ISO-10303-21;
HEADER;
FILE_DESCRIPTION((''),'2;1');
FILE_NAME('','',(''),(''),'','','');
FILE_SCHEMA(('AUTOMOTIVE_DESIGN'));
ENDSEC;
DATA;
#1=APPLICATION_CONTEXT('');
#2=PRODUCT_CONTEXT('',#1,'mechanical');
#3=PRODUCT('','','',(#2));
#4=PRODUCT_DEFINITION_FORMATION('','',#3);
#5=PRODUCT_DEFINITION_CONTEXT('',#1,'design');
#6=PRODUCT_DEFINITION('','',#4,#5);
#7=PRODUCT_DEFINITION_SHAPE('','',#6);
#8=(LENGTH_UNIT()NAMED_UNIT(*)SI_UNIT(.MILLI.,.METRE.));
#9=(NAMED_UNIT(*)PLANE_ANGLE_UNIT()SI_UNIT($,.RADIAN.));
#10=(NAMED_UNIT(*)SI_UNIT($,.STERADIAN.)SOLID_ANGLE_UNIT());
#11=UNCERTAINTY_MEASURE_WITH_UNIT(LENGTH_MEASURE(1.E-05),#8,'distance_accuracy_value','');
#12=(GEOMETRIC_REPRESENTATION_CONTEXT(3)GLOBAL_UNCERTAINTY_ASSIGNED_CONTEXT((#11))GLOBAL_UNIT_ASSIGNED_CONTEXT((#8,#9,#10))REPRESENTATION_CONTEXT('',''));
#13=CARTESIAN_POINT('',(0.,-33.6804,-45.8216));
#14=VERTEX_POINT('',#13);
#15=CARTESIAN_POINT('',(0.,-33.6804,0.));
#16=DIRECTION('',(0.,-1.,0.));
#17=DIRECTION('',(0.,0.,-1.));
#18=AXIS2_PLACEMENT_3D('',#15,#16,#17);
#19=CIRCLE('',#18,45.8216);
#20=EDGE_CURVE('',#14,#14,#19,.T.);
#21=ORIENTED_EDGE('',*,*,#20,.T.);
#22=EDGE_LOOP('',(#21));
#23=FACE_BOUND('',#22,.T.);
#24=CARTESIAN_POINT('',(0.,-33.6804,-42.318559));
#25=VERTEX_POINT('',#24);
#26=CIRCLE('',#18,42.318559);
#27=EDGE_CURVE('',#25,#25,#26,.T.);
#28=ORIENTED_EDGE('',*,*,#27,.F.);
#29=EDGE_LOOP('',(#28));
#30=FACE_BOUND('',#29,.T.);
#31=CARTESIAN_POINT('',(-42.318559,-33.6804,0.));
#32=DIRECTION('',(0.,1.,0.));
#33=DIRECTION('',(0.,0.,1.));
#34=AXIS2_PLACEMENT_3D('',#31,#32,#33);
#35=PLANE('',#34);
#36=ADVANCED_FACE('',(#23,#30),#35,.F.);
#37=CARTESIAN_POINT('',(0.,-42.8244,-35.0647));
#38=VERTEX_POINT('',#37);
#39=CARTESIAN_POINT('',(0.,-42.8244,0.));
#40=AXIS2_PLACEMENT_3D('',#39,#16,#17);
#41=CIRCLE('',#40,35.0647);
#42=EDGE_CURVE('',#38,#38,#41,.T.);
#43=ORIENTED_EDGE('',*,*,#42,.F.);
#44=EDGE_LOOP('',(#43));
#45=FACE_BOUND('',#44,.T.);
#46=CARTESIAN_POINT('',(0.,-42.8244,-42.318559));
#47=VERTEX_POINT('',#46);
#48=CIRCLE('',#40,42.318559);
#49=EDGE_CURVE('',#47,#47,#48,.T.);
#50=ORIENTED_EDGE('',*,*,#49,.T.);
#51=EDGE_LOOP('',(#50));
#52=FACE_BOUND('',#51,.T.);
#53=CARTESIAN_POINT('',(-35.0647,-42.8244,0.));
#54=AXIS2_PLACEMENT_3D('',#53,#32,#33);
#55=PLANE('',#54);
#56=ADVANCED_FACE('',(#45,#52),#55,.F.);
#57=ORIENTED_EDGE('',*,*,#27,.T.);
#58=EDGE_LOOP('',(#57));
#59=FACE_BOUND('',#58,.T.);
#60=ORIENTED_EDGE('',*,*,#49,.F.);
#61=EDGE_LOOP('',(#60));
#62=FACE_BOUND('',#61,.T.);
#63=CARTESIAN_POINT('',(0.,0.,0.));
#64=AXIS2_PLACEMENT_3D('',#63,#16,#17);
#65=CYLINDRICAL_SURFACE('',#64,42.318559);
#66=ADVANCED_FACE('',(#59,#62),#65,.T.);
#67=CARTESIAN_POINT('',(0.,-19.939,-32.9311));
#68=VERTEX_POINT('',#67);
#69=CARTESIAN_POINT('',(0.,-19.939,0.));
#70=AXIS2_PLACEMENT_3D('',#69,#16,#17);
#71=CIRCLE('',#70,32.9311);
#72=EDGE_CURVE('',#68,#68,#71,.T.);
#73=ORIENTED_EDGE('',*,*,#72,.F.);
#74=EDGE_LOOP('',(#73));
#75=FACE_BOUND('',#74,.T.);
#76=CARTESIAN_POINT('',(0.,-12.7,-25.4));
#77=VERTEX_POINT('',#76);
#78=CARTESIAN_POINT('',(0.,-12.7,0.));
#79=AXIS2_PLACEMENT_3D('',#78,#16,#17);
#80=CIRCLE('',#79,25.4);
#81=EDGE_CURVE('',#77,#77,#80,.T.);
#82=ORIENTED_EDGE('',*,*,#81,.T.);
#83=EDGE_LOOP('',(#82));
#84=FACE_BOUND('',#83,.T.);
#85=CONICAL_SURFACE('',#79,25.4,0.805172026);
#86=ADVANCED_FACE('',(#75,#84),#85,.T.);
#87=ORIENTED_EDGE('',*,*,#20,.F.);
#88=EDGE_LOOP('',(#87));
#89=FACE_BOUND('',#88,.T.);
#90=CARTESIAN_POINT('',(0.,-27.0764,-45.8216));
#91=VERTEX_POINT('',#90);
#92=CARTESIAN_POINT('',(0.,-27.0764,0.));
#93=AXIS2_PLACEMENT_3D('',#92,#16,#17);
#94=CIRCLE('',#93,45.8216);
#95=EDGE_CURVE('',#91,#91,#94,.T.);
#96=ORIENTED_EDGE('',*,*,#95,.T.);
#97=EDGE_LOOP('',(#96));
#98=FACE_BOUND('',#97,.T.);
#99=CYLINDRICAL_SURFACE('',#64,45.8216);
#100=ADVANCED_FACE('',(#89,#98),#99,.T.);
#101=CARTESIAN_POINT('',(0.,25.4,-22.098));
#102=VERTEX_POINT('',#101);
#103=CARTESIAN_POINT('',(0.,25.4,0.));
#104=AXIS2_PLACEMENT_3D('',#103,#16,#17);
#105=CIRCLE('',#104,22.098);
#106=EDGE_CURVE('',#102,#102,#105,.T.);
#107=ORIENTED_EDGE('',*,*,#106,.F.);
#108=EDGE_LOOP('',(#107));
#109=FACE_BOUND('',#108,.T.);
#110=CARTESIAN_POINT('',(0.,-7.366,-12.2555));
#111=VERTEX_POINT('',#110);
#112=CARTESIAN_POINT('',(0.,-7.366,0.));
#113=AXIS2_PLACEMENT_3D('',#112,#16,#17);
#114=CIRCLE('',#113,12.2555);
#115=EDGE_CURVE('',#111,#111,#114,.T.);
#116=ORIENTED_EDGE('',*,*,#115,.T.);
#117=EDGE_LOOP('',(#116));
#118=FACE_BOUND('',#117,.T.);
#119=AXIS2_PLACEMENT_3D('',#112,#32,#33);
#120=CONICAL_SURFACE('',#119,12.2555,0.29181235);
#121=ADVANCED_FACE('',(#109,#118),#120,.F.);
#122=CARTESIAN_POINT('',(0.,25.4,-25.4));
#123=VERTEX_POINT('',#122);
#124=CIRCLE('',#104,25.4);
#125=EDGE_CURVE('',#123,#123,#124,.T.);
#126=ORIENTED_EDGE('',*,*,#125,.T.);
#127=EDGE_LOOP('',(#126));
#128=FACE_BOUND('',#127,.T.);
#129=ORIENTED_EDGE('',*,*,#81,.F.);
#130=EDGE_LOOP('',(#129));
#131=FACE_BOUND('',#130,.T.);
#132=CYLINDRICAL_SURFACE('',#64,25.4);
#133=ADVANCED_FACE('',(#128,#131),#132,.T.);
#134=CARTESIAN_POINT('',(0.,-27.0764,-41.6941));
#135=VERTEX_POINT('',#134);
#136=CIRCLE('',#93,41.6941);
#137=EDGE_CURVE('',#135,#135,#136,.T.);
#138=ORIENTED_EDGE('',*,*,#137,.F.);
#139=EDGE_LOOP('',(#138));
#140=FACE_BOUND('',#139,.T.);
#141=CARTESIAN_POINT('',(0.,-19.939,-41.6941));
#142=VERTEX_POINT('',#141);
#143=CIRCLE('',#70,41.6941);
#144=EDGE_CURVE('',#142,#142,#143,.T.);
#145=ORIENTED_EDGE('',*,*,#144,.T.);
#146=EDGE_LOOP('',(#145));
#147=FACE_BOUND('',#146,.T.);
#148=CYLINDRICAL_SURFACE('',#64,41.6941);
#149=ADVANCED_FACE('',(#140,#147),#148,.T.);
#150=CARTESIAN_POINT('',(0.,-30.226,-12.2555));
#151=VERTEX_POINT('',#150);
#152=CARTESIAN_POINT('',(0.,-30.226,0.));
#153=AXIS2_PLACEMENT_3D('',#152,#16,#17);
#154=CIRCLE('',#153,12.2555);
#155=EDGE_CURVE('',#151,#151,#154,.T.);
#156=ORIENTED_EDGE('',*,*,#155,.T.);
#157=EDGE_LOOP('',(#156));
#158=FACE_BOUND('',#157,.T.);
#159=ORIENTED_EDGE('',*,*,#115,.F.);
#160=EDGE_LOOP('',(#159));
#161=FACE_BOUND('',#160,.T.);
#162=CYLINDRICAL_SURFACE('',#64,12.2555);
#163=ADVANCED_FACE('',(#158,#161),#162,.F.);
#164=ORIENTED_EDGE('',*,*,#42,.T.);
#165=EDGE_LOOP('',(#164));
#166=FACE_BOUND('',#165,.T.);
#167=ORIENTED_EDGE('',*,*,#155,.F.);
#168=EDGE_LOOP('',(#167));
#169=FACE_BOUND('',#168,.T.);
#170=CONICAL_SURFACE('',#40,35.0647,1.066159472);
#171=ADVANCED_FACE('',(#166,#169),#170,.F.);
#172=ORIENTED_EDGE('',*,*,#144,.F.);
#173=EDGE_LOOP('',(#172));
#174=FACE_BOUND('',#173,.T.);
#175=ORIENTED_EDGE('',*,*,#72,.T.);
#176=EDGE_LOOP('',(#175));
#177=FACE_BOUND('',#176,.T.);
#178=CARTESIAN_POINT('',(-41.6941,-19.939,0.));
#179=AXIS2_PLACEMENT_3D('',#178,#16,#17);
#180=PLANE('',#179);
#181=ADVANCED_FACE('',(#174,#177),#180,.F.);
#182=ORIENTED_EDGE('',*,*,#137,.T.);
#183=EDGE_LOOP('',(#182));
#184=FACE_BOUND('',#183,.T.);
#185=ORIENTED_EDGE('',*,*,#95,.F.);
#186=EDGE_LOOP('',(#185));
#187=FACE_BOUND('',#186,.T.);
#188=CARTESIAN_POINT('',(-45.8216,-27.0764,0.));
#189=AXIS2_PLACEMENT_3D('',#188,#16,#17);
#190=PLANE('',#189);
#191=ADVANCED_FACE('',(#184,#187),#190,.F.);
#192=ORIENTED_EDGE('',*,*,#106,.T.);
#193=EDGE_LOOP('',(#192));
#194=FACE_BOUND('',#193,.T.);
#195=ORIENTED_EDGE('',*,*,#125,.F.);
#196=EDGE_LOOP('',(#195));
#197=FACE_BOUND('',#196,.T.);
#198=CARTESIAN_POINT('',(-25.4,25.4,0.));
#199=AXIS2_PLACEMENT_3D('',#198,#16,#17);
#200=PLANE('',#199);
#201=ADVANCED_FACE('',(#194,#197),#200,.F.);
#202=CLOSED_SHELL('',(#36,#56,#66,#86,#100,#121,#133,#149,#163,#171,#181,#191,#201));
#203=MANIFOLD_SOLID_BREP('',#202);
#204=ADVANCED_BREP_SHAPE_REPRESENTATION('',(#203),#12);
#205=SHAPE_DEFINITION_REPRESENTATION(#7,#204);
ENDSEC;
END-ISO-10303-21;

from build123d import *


with BuildPart() as part:
    # Sketch1 → Revolve1 (revolve)
    with BuildSketch(Plane.XY):
        Polygon((-22.098, 25.4), (-12.2555, -7.366), (-12.2555, -30.226), (-35.0647, -42.8244), (-42.318558906, -42.8244), (-42.318558906, -33.6804), (-45.8216, -33.6804), (-45.8216, -27.0764), (-41.6941, -27.0764), (-41.6941, -19.939), (-32.9311, -19.939), (-25.4, -12.7), (-25.4, 25.4), align=None)
    revolve(axis=Axis((0, 0, 0), (0, 1, 0)))


solid = part.part
